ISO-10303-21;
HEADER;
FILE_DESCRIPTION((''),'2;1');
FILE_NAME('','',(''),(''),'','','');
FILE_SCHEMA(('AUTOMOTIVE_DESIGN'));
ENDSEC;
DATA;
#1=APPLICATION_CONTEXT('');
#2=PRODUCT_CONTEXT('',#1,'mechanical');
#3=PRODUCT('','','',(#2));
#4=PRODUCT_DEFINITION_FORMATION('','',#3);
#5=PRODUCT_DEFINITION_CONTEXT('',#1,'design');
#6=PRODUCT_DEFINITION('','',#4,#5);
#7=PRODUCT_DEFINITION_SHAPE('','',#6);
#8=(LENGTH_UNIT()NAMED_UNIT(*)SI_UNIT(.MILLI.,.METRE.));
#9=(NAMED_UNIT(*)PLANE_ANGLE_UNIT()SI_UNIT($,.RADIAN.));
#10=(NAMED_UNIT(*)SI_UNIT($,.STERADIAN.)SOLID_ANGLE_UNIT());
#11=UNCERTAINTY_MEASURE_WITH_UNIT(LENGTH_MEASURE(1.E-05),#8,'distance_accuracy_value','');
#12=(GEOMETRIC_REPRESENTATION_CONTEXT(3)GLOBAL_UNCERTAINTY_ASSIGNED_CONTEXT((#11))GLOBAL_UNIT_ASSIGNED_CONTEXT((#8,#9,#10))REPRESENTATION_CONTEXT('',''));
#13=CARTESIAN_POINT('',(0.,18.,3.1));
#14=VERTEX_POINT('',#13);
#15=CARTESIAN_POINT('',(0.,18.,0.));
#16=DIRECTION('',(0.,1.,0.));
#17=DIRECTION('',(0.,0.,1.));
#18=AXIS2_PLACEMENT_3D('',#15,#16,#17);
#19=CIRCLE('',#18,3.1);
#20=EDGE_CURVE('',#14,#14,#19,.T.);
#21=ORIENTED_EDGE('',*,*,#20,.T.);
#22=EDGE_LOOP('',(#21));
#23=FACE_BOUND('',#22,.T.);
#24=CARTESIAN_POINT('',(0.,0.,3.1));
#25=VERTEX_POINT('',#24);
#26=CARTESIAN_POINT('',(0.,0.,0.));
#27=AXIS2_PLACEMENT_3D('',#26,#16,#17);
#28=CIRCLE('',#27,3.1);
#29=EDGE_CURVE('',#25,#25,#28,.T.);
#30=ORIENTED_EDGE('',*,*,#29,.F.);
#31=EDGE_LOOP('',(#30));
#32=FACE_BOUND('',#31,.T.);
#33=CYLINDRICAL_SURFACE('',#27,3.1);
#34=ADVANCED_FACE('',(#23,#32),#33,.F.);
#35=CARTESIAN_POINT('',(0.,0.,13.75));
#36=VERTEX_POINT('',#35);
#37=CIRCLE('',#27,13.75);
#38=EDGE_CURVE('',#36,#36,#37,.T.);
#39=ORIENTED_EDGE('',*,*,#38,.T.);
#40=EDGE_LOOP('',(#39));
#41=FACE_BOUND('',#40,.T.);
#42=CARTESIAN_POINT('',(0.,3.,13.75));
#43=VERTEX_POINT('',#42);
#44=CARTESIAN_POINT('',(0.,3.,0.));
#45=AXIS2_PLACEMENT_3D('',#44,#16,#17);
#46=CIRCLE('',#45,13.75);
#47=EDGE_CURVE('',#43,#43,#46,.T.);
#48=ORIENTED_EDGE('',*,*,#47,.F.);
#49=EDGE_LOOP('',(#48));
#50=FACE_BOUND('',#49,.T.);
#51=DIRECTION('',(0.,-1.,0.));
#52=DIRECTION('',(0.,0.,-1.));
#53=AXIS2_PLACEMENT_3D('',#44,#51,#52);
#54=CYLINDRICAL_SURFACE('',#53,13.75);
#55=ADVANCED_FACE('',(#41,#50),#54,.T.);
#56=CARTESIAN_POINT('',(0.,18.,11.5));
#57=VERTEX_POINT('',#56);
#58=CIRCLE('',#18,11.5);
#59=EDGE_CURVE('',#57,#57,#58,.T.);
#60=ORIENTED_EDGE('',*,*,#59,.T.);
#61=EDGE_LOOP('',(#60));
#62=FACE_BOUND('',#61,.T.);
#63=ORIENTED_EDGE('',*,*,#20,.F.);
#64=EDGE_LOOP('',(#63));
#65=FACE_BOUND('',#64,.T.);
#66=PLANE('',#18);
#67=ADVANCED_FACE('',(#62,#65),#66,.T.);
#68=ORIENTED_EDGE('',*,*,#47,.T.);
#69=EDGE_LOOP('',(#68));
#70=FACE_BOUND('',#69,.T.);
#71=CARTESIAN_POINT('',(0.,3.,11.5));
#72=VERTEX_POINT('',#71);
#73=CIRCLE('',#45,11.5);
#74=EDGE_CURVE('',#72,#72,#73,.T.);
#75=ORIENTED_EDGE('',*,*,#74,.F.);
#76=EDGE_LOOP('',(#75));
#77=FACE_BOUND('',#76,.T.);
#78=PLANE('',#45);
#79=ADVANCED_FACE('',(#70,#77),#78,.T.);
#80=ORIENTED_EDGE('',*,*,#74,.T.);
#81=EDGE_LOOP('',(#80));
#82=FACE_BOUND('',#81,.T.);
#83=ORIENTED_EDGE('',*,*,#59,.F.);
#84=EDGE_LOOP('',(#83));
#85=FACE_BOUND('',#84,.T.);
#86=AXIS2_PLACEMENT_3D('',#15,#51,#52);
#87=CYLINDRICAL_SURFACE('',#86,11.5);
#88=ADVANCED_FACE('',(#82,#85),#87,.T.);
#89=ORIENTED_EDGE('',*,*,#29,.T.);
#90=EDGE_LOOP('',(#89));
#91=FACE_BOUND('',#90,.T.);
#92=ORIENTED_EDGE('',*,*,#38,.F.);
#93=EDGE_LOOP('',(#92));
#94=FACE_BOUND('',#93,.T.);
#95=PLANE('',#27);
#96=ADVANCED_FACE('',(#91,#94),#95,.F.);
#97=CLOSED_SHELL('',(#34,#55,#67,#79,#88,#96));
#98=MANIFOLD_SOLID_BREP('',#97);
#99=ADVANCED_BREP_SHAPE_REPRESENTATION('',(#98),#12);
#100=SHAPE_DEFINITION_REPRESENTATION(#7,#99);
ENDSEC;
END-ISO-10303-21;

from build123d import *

# Parameters (mm, degrees)
SKETCH1_R           = 13.75
BOSS_EXTRUDE1_DEPTH = 3
SKETCH2_R           = 11.5
BOSS_EXTRUDE2_DEPTH = 15
SKETCH3_R           = 3.1
CUT_EXTRUDE1_DEPTH  = 27.497641404


with BuildPart() as part:
    # Sketch1 → Boss-Extrude1 (new body)
    with BuildSketch(Plane(origin=(0, 0, 0), x_dir=(1, 0, 0), z_dir=(0, 1, 0))):
        with Locations(Location((0, 0, 0), (0, 0, 270))):
            Circle(SKETCH1_R)
    extrude(amount=BOSS_EXTRUDE1_DEPTH)

    # Sketch2 → Boss-Extrude2 (add)
    with BuildSketch(Plane(origin=(0, 3, 0), x_dir=(1, 0, 0), z_dir=(0, 1, 0))):
        with Locations(Location((0, 0, 0), (0, 0, 270))):
            Circle(SKETCH2_R)
    extrude(amount=BOSS_EXTRUDE2_DEPTH)

    # Sketch3 → Cut-Extrude1 (cut, through all)
    with BuildSketch(Plane(origin=(0, 18, 0), x_dir=(1, 0, 0), z_dir=(0, 1, 0))):
        with Locations(Location((0, 0, 0), (0, 0, 270))):
            Circle(SKETCH3_R)
    extrude(amount=-CUT_EXTRUDE1_DEPTH, mode=Mode.SUBTRACT)


solid = part.part
